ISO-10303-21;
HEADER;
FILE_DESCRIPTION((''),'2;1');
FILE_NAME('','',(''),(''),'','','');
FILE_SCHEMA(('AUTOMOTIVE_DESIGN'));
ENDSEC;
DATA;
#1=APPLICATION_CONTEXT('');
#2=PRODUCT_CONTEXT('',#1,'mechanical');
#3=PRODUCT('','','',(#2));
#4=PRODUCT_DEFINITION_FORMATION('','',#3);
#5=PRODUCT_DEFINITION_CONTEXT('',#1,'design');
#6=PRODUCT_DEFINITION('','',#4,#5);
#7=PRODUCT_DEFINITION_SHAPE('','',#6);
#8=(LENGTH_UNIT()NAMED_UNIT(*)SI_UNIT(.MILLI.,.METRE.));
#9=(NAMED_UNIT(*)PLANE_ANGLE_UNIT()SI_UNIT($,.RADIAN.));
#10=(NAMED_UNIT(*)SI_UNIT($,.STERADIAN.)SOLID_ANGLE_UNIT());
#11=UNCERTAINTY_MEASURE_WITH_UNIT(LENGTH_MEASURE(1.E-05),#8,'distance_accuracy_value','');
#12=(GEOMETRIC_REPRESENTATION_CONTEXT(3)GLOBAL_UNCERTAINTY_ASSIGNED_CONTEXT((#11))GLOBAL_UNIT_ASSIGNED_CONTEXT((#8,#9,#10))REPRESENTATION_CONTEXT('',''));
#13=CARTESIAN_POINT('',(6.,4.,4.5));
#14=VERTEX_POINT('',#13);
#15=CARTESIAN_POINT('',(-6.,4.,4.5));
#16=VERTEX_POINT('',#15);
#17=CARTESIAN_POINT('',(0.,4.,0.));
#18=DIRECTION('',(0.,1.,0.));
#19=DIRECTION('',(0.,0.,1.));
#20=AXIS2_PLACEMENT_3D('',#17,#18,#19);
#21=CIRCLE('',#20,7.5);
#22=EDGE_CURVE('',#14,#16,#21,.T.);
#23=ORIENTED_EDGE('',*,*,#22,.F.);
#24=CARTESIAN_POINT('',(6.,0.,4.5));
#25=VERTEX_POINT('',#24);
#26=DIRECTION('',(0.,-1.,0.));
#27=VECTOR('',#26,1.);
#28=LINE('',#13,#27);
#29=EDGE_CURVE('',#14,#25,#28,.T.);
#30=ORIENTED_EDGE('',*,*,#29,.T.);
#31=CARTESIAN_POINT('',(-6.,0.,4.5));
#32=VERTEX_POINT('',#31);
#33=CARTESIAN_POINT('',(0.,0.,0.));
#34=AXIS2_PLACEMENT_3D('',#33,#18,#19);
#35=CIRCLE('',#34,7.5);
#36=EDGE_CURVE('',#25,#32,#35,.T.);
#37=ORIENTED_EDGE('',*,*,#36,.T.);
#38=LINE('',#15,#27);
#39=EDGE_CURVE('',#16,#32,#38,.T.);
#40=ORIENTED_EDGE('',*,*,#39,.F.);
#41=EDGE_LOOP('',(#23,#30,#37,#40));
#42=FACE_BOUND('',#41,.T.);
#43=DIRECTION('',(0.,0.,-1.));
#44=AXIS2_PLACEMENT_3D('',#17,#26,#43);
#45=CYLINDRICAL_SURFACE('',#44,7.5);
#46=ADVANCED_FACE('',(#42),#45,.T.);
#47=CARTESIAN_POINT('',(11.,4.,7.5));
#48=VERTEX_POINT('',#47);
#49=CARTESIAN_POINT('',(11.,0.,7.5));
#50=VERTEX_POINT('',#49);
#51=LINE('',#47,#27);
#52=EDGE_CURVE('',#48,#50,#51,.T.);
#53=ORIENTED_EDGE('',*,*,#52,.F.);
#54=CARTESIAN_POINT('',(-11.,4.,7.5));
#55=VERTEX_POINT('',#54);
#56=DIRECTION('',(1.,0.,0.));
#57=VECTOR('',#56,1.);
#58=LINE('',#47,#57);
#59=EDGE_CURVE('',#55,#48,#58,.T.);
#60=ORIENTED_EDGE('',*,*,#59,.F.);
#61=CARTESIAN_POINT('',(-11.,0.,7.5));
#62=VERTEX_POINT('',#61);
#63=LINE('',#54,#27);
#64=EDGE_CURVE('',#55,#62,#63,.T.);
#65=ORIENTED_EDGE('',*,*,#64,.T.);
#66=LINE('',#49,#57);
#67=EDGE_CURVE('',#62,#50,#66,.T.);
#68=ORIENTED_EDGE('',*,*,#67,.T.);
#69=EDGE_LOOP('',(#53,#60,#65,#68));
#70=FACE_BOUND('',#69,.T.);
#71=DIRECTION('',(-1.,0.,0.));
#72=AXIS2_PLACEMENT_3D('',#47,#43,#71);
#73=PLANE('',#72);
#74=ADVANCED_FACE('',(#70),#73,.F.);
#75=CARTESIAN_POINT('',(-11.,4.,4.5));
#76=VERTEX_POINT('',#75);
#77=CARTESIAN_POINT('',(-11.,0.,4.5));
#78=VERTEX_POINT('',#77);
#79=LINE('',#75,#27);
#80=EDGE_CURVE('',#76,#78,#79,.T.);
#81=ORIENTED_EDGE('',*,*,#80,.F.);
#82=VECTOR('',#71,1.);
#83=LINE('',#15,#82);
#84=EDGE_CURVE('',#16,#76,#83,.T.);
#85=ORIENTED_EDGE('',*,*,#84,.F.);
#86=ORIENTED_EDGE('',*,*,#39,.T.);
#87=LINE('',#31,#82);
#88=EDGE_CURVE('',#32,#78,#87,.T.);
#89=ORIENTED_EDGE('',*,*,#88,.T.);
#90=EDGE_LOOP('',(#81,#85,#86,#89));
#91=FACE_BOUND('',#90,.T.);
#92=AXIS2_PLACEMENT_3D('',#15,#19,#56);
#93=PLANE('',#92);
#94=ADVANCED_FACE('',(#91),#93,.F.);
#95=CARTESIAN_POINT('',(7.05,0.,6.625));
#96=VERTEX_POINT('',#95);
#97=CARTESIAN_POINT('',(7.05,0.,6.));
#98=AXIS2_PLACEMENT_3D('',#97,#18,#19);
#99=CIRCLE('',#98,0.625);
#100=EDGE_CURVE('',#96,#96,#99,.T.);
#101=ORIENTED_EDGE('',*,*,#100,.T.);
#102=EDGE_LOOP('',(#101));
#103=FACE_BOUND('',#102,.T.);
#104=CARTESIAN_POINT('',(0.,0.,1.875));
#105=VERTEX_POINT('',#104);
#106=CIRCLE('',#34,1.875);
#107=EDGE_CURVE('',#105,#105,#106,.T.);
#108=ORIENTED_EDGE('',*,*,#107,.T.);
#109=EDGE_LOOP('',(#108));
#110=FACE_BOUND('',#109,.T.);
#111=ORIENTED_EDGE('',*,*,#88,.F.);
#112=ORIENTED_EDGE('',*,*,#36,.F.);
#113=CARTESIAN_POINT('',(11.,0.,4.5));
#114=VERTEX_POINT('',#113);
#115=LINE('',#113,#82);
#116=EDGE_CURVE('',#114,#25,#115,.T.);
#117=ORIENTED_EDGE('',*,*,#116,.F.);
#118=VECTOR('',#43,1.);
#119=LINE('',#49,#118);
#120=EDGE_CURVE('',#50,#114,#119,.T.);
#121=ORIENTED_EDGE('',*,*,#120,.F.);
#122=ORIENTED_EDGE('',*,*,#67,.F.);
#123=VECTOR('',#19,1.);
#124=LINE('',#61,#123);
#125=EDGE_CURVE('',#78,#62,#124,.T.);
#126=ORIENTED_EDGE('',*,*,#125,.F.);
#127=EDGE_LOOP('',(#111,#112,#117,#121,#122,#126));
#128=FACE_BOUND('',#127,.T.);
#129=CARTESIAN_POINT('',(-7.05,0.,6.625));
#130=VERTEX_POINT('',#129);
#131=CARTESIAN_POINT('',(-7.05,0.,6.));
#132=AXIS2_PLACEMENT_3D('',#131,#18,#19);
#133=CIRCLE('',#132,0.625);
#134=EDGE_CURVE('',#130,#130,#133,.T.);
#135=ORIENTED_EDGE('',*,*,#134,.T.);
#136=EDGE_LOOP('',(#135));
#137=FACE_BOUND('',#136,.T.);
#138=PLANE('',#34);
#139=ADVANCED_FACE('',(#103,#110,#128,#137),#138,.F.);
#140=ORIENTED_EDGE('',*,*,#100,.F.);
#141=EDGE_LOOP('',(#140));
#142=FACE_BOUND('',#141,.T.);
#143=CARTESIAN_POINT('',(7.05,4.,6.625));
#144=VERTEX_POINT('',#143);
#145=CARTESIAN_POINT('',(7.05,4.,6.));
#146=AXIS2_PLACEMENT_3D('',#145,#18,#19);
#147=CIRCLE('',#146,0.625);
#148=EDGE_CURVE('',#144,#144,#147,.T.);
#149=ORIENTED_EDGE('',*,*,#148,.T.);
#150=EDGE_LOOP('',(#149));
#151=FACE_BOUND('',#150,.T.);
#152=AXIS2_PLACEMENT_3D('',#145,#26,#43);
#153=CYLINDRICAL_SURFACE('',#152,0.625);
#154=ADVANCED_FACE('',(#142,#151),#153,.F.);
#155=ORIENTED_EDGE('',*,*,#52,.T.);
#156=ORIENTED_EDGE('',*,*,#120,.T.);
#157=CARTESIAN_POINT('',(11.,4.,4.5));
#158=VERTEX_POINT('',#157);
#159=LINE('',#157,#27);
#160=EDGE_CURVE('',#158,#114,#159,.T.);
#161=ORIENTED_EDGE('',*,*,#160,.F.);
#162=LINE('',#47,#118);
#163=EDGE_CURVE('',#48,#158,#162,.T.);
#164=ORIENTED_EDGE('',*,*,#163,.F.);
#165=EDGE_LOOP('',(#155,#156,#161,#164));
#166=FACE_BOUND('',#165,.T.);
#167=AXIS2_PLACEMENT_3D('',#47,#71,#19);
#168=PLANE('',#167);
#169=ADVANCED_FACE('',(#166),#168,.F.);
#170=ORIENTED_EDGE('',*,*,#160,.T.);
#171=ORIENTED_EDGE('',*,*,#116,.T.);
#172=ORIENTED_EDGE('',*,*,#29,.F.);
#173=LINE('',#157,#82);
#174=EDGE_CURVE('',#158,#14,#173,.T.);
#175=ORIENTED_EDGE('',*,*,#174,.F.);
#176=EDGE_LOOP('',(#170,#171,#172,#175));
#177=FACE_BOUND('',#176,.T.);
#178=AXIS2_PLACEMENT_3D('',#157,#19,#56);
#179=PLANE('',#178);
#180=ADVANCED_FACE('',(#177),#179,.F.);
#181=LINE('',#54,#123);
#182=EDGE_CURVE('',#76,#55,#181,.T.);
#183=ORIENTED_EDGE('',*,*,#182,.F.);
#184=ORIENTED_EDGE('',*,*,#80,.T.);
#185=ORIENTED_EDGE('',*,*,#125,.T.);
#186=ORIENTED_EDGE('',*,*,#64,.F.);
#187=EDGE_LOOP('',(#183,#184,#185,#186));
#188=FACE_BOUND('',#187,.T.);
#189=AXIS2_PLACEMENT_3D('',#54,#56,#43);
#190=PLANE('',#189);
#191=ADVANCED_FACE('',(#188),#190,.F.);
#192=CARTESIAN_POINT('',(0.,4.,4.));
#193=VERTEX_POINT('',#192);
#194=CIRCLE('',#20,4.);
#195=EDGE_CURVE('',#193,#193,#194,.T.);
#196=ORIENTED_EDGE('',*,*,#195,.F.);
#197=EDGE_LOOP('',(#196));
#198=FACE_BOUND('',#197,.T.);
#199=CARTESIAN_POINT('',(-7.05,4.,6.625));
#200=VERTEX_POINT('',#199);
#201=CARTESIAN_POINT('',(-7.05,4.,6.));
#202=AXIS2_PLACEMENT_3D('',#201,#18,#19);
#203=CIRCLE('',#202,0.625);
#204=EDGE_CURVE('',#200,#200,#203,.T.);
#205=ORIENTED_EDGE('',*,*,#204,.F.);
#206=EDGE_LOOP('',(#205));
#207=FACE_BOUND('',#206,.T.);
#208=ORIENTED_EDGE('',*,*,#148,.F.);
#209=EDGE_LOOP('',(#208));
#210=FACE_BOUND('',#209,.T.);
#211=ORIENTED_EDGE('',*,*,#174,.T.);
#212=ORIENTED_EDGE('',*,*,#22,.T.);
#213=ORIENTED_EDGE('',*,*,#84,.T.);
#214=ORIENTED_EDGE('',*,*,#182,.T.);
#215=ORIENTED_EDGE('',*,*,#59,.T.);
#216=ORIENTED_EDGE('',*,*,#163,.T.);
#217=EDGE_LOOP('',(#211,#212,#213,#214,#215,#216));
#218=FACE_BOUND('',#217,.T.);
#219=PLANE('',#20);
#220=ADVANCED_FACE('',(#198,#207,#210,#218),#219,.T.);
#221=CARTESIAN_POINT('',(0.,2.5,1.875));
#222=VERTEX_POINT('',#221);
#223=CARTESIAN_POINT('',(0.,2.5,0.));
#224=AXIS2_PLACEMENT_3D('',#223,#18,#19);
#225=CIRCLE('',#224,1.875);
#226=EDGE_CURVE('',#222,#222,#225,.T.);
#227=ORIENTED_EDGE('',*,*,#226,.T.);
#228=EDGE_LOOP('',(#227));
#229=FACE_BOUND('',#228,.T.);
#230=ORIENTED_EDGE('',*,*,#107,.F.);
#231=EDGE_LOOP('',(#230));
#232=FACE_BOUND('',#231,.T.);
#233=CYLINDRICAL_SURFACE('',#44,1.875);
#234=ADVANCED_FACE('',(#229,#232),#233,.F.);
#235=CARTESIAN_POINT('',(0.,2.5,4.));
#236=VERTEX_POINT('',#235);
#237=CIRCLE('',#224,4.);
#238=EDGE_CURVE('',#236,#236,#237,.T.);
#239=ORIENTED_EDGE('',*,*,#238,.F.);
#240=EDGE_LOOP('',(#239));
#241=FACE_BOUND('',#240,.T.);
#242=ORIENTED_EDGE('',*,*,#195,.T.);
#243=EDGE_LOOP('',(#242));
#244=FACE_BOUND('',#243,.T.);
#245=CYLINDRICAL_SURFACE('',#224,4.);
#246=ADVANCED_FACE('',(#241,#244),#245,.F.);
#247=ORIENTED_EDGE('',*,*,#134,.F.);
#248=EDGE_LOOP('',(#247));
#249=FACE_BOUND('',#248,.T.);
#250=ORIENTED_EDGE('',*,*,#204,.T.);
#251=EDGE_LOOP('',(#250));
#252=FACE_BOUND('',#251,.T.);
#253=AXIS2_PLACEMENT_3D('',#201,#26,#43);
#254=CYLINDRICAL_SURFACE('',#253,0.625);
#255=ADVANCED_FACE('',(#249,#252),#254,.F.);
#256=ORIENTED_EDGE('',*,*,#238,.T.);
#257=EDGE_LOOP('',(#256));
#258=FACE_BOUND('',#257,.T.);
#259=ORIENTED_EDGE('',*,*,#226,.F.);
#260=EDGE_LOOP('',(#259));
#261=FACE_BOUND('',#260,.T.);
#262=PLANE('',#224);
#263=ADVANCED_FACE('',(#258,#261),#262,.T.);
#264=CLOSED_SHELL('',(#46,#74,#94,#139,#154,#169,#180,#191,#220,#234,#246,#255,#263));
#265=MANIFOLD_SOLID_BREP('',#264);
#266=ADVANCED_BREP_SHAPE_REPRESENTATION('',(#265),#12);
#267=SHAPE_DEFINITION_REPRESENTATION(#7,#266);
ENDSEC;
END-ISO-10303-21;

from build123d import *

# Parameters (mm, degrees)
SKETCH1_R           = 0.625
SKETCH1_R_2         = 1.875
BOSS_EXTRUDE1_DEPTH = 4
SKETCH2_R           = 4
CUT_EXTRUDE1_DEPTH  = 1.5


with BuildPart() as part:
    # Sketch1 → Boss-Extrude1 (new body)
    with BuildSketch(Plane(origin=(0, 0, 0), x_dir=(1, 0, 0), z_dir=(0, 1, 0))):
        with BuildLine():
            Line((-6, -4.5), (-11, -4.5))
            Line((-11, -4.5), (-11, -7.5))
            Line((-11, -7.5), (11, -7.5))
            Line((11, -7.5), (11, -4.5))
            Line((11, -4.5), (6, -4.5))
            ThreePointArc((6, -4.5), (0, 7.5), (-6, -4.5))
        make_face()
        with Locations((-7.05, -6)):
            Circle(SKETCH1_R, mode=Mode.SUBTRACT)
        with Locations((7.05, -6)):
            Circle(SKETCH1_R, mode=Mode.SUBTRACT)
        Circle(SKETCH1_R_2, mode=Mode.SUBTRACT)
    extrude(amount=BOSS_EXTRUDE1_DEPTH)

    # Sketch2 → Cut-Extrude1 (cut)
    with BuildSketch(Plane(origin=(0, 4, 0), x_dir=(1, 0, 0), z_dir=(0, 1, 0))):
        Circle(SKETCH2_R)
    extrude(amount=-CUT_EXTRUDE1_DEPTH, mode=Mode.SUBTRACT)


solid = part.part
